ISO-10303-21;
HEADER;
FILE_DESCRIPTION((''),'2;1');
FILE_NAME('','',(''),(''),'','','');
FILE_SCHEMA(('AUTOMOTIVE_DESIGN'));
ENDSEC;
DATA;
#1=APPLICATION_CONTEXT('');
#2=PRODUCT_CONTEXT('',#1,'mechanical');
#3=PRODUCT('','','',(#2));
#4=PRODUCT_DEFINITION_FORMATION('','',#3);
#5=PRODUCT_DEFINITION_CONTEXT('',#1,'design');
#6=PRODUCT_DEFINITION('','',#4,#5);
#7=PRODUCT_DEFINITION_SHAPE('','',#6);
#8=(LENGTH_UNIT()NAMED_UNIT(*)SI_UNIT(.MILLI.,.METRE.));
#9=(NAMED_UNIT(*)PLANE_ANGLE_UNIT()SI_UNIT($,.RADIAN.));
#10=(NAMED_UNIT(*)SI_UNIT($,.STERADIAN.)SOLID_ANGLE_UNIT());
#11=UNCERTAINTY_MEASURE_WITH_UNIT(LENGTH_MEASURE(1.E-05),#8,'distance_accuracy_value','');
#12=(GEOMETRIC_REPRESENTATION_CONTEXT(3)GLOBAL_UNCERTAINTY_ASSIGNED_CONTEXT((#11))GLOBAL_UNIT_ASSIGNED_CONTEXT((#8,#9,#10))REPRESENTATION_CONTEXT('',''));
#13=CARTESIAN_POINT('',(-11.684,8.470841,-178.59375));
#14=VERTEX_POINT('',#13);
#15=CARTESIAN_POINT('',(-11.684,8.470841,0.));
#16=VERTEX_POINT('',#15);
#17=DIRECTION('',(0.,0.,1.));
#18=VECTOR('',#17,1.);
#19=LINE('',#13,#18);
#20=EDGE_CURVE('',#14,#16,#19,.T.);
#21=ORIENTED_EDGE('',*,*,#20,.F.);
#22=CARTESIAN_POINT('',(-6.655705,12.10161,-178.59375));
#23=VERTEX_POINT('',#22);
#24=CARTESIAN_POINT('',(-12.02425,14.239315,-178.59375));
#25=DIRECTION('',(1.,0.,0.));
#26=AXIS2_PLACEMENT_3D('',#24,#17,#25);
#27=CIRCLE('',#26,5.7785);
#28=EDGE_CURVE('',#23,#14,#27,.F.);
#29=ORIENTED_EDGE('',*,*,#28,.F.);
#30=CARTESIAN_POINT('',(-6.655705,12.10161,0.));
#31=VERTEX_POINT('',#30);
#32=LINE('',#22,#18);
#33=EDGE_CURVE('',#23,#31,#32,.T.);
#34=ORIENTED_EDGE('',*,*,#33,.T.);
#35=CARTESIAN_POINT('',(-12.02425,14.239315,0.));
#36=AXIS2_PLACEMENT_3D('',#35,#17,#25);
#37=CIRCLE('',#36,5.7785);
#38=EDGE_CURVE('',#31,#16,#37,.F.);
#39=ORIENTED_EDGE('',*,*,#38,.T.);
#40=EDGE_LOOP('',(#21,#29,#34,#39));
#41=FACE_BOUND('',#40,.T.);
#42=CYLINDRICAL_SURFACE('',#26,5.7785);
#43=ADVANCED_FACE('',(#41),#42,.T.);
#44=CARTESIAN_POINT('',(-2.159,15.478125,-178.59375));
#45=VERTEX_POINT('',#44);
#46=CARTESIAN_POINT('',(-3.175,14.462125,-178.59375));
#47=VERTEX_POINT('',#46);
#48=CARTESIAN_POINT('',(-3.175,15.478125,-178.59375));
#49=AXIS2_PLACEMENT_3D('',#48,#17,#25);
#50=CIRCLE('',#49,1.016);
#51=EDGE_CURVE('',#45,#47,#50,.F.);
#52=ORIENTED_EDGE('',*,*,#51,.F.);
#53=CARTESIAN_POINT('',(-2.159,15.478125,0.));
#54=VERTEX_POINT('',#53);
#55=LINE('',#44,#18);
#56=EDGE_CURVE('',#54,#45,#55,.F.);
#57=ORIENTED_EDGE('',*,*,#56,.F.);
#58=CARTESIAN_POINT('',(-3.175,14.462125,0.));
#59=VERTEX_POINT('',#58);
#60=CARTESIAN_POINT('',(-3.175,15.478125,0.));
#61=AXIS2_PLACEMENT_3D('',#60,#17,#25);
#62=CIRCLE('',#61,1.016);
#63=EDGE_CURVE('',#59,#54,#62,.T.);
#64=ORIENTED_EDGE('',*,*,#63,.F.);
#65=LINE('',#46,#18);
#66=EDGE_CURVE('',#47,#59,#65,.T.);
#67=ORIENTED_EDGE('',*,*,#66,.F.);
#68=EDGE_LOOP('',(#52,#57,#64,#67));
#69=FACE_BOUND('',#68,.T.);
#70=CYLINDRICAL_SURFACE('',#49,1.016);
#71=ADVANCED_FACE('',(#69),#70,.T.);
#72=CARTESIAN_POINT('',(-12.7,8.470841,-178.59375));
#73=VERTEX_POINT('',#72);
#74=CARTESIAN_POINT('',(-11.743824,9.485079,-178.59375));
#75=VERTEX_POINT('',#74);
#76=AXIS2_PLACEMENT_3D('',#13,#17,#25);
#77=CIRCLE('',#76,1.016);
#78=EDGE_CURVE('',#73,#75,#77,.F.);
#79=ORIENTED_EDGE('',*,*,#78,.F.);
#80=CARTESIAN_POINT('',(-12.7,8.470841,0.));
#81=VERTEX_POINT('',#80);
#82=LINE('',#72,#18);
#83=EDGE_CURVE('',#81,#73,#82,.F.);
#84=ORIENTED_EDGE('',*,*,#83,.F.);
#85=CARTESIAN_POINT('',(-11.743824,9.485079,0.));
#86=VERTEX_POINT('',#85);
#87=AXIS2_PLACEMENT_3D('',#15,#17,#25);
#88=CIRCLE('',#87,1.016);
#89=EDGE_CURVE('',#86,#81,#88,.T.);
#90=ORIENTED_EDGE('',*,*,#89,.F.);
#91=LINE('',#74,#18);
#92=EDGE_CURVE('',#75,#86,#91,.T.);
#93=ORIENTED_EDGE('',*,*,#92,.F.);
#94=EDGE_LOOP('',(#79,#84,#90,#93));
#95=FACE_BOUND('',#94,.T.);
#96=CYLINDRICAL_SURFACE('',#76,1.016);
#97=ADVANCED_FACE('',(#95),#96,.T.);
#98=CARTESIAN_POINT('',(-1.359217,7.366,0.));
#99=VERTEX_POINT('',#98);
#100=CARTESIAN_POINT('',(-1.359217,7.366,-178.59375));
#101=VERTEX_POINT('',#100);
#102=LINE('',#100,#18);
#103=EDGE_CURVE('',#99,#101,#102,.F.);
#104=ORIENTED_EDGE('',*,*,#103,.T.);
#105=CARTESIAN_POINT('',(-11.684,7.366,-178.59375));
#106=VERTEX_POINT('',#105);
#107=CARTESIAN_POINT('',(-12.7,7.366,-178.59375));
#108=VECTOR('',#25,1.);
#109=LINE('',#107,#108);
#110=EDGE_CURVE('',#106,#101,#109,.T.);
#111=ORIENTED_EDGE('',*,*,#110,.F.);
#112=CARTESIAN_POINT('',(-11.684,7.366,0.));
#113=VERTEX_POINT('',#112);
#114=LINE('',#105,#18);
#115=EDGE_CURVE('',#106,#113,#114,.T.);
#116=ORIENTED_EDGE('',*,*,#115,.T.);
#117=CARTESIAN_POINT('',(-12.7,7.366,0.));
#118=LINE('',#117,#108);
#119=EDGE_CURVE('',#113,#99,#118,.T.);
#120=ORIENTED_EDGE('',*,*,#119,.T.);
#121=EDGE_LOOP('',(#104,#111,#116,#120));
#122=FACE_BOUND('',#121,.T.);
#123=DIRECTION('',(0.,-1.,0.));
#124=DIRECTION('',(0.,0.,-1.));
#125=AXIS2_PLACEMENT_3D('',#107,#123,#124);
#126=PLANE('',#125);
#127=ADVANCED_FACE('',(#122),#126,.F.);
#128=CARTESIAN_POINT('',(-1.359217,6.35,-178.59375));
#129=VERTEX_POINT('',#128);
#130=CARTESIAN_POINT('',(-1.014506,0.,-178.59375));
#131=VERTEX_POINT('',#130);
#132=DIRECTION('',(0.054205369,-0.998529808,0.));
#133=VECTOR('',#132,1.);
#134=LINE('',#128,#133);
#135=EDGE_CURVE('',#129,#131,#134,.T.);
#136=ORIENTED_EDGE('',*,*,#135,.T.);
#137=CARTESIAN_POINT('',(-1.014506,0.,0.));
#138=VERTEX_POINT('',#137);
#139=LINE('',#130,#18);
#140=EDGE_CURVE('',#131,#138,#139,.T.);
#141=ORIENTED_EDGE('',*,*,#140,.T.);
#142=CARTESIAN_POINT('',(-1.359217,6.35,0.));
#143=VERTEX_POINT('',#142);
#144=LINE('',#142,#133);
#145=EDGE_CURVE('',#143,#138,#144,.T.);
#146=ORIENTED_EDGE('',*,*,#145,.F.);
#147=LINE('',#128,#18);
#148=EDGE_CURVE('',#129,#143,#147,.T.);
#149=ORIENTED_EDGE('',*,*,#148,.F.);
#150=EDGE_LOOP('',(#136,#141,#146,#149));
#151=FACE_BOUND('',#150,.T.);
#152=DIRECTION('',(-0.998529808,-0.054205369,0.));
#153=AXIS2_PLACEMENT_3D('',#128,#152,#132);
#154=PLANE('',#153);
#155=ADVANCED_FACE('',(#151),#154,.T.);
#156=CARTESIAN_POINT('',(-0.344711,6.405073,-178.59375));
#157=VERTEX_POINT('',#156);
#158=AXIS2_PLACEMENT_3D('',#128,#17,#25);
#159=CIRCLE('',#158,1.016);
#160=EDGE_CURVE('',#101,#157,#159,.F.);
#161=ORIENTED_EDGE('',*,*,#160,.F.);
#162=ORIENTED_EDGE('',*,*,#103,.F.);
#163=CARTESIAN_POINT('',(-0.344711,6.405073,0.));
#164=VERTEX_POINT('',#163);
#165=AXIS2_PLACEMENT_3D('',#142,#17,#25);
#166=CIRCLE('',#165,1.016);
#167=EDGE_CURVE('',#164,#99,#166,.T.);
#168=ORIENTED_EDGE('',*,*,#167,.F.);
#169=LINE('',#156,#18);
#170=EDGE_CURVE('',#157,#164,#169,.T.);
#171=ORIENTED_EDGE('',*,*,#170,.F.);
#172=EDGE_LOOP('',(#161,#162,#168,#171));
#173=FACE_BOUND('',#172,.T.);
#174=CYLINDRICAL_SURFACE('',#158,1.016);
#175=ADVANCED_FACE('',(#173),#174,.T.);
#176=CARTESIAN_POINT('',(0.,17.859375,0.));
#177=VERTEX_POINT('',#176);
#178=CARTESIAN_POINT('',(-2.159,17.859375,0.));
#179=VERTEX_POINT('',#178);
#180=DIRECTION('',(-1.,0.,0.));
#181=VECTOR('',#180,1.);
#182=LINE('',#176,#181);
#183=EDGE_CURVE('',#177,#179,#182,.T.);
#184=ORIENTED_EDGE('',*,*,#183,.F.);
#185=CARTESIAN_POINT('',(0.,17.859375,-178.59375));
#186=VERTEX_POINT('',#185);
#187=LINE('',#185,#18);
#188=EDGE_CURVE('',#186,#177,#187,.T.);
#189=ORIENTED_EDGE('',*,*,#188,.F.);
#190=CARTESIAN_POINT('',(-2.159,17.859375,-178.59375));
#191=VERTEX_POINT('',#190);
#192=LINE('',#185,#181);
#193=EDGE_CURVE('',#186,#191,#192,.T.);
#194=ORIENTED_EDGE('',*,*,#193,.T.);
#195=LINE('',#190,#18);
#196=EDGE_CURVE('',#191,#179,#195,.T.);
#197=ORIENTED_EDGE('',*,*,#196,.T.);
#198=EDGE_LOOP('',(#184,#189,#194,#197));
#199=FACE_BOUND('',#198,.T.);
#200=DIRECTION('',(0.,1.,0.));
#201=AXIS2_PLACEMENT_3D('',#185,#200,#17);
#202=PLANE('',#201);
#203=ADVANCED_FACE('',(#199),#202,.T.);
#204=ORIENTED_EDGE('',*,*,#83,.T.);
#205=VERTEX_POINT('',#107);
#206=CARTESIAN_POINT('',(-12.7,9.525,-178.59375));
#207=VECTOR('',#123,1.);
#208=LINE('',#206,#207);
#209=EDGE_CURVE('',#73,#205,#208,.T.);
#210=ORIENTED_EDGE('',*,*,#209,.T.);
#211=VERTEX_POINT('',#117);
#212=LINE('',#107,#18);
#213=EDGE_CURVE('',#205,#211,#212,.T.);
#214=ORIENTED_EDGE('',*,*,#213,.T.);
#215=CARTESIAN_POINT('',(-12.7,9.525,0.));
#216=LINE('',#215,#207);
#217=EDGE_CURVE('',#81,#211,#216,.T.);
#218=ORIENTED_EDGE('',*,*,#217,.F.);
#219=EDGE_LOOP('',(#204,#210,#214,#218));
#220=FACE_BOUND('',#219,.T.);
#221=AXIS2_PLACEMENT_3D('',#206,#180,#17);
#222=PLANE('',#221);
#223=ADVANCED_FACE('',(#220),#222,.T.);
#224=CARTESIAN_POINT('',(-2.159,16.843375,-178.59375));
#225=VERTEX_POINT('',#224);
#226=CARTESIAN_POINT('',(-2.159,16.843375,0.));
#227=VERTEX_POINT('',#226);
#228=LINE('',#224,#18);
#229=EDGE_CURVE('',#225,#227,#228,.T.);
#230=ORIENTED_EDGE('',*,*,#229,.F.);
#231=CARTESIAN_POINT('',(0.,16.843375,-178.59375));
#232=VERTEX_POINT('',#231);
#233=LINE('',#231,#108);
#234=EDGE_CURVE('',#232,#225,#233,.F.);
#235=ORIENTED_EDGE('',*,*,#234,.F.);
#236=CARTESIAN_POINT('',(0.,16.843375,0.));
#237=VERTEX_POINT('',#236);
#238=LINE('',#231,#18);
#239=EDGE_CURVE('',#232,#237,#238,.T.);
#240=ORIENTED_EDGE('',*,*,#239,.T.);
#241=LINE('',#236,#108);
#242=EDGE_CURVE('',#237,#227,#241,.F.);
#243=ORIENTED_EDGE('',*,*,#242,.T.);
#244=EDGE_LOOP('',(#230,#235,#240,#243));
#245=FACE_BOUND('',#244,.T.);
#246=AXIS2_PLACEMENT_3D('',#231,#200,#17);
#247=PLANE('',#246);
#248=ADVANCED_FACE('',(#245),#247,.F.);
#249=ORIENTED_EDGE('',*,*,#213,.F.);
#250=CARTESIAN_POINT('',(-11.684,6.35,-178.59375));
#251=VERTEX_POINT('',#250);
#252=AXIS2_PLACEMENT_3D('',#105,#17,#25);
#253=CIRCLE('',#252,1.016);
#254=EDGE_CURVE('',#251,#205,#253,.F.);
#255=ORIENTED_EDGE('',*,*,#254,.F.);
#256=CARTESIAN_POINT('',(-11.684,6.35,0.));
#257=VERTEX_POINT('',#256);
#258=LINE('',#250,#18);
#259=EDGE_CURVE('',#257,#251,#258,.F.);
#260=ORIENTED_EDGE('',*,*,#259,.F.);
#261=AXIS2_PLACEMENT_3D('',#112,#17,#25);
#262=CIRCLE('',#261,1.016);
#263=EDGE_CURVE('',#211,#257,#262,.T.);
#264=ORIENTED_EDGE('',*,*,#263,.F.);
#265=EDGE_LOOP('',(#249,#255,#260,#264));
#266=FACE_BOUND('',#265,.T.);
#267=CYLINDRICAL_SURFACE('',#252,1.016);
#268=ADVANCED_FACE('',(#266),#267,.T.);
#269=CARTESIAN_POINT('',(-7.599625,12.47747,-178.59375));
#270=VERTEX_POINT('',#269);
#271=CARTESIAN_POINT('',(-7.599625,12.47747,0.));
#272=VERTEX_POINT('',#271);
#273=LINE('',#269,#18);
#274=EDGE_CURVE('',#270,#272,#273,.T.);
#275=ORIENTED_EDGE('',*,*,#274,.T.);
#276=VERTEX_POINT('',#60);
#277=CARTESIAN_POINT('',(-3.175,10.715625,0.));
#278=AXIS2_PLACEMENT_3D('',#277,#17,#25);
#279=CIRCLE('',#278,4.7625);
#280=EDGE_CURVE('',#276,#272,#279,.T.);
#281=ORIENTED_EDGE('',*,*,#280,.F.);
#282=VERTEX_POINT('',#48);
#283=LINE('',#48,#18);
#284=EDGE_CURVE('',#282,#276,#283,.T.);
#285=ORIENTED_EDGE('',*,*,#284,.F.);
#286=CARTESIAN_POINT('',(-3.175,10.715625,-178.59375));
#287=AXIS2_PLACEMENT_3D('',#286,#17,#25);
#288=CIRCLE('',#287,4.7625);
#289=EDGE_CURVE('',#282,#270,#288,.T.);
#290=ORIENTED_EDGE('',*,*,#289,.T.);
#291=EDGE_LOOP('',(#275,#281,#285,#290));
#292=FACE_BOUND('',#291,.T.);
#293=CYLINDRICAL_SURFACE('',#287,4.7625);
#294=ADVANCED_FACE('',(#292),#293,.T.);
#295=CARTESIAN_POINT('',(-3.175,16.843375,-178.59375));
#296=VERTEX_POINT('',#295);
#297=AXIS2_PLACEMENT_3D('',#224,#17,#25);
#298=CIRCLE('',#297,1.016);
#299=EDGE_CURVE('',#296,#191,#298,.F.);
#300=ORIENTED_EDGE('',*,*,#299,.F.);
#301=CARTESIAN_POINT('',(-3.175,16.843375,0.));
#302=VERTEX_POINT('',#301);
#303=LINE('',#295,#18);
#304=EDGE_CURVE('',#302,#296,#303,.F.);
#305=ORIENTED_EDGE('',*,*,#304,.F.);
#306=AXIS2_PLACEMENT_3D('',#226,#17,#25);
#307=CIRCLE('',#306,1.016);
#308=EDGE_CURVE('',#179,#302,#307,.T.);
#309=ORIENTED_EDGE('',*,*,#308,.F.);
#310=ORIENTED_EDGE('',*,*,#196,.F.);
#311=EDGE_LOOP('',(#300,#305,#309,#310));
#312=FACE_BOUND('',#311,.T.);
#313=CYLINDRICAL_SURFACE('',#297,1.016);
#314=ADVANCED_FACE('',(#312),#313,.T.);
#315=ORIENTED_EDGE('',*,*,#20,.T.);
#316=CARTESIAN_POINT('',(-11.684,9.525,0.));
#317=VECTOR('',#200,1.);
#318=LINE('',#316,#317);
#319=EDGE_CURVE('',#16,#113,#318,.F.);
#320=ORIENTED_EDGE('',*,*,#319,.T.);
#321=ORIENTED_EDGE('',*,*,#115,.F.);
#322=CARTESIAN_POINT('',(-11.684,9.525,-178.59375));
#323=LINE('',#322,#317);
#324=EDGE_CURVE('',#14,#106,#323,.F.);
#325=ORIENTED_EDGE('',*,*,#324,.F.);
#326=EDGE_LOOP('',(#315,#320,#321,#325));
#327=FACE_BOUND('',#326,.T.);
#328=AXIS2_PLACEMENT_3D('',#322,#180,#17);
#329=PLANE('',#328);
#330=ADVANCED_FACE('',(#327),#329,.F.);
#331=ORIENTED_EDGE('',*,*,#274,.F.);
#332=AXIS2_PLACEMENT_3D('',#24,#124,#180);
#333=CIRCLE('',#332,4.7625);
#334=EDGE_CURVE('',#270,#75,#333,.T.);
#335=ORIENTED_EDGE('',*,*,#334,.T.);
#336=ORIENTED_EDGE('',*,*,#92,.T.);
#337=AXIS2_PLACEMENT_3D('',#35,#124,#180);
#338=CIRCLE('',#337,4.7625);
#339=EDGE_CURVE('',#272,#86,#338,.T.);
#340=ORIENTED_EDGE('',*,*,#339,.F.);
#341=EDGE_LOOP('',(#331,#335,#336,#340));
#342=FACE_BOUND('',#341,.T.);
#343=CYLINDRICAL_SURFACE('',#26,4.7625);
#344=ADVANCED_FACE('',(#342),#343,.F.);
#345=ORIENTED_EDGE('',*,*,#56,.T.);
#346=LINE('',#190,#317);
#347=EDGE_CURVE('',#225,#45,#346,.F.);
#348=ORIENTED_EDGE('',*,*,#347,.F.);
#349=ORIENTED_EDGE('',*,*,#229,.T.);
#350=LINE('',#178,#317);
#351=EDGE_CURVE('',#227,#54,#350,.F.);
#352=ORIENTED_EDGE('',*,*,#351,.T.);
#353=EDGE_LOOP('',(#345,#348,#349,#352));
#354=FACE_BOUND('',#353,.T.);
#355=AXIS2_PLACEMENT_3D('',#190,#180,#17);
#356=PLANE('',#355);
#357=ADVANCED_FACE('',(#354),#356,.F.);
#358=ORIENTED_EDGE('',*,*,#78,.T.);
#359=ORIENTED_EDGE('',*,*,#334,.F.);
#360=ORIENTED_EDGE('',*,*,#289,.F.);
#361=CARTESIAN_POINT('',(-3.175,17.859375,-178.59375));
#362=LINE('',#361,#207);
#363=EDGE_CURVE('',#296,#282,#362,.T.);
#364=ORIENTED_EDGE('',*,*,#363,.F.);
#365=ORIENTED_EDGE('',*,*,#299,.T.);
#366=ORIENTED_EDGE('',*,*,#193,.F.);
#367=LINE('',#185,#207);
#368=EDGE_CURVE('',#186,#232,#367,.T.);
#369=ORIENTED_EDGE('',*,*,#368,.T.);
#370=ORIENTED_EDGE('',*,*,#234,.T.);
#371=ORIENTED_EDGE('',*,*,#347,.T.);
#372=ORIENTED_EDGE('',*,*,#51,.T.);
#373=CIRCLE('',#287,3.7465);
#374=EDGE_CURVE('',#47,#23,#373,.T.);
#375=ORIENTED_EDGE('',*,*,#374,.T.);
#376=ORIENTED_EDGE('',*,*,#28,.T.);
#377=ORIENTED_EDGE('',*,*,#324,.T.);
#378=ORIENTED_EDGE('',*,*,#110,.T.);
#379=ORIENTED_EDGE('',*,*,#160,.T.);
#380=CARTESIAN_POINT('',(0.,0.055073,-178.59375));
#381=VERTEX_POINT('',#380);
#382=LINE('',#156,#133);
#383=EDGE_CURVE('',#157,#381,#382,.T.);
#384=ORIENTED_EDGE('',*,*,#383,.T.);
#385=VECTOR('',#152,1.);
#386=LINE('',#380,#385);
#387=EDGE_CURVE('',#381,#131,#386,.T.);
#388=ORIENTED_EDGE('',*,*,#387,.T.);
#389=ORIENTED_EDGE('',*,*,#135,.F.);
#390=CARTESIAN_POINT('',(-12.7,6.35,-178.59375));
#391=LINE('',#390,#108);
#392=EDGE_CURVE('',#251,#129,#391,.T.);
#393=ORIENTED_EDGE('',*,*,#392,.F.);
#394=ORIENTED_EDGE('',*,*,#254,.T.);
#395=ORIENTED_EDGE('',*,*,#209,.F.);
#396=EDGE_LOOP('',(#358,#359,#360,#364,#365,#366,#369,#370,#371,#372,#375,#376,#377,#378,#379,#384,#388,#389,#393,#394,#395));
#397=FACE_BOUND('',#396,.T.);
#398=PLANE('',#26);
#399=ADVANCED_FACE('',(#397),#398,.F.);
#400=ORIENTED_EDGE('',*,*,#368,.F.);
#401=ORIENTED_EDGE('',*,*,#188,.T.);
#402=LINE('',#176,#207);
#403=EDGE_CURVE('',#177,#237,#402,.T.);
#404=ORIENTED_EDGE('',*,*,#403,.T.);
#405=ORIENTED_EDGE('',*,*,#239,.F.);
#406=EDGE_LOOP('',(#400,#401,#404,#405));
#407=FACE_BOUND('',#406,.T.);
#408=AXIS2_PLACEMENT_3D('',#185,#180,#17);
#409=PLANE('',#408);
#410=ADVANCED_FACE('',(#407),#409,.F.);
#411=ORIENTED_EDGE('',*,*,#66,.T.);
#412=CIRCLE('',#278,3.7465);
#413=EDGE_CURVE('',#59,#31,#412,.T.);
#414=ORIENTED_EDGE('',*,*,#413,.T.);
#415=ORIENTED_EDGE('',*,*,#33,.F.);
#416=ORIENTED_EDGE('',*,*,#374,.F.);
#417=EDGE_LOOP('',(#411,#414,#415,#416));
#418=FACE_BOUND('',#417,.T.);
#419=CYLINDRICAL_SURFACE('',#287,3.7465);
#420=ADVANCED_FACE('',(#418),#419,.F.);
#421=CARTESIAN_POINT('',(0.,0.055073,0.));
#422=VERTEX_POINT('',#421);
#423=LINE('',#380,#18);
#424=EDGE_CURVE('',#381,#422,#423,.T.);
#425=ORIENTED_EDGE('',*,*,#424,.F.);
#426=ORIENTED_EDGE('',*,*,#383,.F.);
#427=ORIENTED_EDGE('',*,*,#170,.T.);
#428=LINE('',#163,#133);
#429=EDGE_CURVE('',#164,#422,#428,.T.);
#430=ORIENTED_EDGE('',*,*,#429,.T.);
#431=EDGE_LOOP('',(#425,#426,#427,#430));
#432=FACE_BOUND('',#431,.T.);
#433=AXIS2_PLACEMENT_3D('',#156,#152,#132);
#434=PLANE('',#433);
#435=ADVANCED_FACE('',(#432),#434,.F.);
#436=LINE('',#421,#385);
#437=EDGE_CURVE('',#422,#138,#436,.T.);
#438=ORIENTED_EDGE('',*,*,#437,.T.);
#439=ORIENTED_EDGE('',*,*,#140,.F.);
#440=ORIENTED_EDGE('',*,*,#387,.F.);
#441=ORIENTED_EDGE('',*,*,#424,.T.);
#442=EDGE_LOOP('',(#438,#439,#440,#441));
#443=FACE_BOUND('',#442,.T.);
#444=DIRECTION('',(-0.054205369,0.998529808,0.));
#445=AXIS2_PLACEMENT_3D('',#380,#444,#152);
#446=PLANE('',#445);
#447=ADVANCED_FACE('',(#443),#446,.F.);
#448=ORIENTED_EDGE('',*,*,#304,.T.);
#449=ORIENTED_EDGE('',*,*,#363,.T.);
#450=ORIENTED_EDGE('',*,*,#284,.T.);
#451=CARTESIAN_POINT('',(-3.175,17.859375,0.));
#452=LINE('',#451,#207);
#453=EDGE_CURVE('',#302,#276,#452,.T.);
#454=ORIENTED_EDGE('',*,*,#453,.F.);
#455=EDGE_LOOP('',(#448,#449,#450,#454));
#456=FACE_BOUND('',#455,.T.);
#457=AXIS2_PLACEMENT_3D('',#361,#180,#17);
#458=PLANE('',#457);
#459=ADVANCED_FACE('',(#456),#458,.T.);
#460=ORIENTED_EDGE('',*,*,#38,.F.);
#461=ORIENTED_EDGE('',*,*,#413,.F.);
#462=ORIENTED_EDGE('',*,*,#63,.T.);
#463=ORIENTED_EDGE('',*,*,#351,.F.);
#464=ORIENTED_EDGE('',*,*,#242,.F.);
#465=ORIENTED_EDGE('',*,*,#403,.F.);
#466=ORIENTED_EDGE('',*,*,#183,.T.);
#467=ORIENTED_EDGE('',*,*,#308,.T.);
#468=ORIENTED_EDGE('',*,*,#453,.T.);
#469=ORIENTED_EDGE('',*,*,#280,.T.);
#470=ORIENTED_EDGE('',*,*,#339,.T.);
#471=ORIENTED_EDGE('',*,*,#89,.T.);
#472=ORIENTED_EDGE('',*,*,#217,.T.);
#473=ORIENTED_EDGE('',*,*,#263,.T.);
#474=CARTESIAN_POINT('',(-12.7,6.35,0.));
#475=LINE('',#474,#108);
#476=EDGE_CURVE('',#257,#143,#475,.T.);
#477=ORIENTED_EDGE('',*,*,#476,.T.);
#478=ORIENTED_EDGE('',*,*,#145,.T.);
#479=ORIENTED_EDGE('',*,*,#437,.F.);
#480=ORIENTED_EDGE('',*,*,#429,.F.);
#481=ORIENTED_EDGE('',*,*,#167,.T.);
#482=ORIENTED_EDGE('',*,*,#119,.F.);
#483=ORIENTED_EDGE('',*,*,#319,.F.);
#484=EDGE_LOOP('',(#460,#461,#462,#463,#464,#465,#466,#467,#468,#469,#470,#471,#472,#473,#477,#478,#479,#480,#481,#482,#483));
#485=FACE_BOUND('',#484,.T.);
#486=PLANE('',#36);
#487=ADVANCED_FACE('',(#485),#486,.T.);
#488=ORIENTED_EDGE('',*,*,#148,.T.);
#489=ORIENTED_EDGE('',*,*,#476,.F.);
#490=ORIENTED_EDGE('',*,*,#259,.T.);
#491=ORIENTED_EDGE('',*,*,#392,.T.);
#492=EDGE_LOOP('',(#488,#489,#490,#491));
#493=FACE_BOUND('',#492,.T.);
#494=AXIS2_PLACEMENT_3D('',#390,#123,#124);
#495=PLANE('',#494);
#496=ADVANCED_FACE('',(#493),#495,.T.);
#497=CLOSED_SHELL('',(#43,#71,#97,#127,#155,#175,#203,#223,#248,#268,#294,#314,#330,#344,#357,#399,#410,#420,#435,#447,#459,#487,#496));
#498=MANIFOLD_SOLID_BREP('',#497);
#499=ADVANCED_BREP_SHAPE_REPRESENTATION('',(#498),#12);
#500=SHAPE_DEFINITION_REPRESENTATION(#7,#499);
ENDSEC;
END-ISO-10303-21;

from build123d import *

# Parameters (mm, degrees)
EXTRUDE_THIN1_DEPTH = 178.59375
FILLET1_R           = 1.016


with BuildPart() as part:
    # Sketch1 → Extrude-Thin1 (new body)
    with BuildSketch(Plane.XY):
        with BuildLine():
            Line((0, 17.859375), (-3.175, 17.859375))
            Line((-3.175, 17.859375), (-3.175, 15.478125))
            ThreePointArc((-3.175, 15.478125), (-5.84807115, 14.657210579), (-7.599625174, 12.477470145))
            ThreePointArc((-7.599625174, 12.477470145), (-9.638294165, 10.117590004), (-12.7, 9.525))
            Line((-12.7, 9.525), (-12.7, 6.35))
            Line((-12.7, 6.35), (-1.359217172, 6.35))
            Line((-1.359217172, 6.35), (-1.014506285, 0))
            Line((-1.014506285, 0), (0, 0.055072655))
            Line((0, 0.055072655), (-0.396875, 7.366))
            Line((-0.396875, 7.366), (-11.684, 7.366))
            Line((-11.684, 7.366), (-11.684, 8.47084132))
            ThreePointArc((-11.684, 8.47084132), (-8.641469435, 9.554461447), (-6.655705137, 12.101609848))
            ThreePointArc((-6.655705137, 12.101609848), (-4.833592242, 14.074990123), (-2.159, 14.3217318))
            Line((-2.159, 14.3217318), (-2.159, 16.843375))
            Line((-2.159, 16.843375), (0, 16.843375))
            Line((0, 16.843375), (0, 17.859375))
        make_face()
    extrude(amount=-EXTRUDE_THIN1_DEPTH)

    # Fillet1
    fillet1_edges = [part.edges().sort_by_distance(p)[0] for p in [
        (-12.7, 6.35, -89.296875),
        (-12.7, 9.525, -89.296875),
        (-3.175, 17.859375, -89.296875),
        (-2.159, 14.3217318, -89.296875),
        (-0.396875, 7.366, -89.296875),
    ]]
    fillet(fillet1_edges, radius=FILLET1_R)


solid = part.part
